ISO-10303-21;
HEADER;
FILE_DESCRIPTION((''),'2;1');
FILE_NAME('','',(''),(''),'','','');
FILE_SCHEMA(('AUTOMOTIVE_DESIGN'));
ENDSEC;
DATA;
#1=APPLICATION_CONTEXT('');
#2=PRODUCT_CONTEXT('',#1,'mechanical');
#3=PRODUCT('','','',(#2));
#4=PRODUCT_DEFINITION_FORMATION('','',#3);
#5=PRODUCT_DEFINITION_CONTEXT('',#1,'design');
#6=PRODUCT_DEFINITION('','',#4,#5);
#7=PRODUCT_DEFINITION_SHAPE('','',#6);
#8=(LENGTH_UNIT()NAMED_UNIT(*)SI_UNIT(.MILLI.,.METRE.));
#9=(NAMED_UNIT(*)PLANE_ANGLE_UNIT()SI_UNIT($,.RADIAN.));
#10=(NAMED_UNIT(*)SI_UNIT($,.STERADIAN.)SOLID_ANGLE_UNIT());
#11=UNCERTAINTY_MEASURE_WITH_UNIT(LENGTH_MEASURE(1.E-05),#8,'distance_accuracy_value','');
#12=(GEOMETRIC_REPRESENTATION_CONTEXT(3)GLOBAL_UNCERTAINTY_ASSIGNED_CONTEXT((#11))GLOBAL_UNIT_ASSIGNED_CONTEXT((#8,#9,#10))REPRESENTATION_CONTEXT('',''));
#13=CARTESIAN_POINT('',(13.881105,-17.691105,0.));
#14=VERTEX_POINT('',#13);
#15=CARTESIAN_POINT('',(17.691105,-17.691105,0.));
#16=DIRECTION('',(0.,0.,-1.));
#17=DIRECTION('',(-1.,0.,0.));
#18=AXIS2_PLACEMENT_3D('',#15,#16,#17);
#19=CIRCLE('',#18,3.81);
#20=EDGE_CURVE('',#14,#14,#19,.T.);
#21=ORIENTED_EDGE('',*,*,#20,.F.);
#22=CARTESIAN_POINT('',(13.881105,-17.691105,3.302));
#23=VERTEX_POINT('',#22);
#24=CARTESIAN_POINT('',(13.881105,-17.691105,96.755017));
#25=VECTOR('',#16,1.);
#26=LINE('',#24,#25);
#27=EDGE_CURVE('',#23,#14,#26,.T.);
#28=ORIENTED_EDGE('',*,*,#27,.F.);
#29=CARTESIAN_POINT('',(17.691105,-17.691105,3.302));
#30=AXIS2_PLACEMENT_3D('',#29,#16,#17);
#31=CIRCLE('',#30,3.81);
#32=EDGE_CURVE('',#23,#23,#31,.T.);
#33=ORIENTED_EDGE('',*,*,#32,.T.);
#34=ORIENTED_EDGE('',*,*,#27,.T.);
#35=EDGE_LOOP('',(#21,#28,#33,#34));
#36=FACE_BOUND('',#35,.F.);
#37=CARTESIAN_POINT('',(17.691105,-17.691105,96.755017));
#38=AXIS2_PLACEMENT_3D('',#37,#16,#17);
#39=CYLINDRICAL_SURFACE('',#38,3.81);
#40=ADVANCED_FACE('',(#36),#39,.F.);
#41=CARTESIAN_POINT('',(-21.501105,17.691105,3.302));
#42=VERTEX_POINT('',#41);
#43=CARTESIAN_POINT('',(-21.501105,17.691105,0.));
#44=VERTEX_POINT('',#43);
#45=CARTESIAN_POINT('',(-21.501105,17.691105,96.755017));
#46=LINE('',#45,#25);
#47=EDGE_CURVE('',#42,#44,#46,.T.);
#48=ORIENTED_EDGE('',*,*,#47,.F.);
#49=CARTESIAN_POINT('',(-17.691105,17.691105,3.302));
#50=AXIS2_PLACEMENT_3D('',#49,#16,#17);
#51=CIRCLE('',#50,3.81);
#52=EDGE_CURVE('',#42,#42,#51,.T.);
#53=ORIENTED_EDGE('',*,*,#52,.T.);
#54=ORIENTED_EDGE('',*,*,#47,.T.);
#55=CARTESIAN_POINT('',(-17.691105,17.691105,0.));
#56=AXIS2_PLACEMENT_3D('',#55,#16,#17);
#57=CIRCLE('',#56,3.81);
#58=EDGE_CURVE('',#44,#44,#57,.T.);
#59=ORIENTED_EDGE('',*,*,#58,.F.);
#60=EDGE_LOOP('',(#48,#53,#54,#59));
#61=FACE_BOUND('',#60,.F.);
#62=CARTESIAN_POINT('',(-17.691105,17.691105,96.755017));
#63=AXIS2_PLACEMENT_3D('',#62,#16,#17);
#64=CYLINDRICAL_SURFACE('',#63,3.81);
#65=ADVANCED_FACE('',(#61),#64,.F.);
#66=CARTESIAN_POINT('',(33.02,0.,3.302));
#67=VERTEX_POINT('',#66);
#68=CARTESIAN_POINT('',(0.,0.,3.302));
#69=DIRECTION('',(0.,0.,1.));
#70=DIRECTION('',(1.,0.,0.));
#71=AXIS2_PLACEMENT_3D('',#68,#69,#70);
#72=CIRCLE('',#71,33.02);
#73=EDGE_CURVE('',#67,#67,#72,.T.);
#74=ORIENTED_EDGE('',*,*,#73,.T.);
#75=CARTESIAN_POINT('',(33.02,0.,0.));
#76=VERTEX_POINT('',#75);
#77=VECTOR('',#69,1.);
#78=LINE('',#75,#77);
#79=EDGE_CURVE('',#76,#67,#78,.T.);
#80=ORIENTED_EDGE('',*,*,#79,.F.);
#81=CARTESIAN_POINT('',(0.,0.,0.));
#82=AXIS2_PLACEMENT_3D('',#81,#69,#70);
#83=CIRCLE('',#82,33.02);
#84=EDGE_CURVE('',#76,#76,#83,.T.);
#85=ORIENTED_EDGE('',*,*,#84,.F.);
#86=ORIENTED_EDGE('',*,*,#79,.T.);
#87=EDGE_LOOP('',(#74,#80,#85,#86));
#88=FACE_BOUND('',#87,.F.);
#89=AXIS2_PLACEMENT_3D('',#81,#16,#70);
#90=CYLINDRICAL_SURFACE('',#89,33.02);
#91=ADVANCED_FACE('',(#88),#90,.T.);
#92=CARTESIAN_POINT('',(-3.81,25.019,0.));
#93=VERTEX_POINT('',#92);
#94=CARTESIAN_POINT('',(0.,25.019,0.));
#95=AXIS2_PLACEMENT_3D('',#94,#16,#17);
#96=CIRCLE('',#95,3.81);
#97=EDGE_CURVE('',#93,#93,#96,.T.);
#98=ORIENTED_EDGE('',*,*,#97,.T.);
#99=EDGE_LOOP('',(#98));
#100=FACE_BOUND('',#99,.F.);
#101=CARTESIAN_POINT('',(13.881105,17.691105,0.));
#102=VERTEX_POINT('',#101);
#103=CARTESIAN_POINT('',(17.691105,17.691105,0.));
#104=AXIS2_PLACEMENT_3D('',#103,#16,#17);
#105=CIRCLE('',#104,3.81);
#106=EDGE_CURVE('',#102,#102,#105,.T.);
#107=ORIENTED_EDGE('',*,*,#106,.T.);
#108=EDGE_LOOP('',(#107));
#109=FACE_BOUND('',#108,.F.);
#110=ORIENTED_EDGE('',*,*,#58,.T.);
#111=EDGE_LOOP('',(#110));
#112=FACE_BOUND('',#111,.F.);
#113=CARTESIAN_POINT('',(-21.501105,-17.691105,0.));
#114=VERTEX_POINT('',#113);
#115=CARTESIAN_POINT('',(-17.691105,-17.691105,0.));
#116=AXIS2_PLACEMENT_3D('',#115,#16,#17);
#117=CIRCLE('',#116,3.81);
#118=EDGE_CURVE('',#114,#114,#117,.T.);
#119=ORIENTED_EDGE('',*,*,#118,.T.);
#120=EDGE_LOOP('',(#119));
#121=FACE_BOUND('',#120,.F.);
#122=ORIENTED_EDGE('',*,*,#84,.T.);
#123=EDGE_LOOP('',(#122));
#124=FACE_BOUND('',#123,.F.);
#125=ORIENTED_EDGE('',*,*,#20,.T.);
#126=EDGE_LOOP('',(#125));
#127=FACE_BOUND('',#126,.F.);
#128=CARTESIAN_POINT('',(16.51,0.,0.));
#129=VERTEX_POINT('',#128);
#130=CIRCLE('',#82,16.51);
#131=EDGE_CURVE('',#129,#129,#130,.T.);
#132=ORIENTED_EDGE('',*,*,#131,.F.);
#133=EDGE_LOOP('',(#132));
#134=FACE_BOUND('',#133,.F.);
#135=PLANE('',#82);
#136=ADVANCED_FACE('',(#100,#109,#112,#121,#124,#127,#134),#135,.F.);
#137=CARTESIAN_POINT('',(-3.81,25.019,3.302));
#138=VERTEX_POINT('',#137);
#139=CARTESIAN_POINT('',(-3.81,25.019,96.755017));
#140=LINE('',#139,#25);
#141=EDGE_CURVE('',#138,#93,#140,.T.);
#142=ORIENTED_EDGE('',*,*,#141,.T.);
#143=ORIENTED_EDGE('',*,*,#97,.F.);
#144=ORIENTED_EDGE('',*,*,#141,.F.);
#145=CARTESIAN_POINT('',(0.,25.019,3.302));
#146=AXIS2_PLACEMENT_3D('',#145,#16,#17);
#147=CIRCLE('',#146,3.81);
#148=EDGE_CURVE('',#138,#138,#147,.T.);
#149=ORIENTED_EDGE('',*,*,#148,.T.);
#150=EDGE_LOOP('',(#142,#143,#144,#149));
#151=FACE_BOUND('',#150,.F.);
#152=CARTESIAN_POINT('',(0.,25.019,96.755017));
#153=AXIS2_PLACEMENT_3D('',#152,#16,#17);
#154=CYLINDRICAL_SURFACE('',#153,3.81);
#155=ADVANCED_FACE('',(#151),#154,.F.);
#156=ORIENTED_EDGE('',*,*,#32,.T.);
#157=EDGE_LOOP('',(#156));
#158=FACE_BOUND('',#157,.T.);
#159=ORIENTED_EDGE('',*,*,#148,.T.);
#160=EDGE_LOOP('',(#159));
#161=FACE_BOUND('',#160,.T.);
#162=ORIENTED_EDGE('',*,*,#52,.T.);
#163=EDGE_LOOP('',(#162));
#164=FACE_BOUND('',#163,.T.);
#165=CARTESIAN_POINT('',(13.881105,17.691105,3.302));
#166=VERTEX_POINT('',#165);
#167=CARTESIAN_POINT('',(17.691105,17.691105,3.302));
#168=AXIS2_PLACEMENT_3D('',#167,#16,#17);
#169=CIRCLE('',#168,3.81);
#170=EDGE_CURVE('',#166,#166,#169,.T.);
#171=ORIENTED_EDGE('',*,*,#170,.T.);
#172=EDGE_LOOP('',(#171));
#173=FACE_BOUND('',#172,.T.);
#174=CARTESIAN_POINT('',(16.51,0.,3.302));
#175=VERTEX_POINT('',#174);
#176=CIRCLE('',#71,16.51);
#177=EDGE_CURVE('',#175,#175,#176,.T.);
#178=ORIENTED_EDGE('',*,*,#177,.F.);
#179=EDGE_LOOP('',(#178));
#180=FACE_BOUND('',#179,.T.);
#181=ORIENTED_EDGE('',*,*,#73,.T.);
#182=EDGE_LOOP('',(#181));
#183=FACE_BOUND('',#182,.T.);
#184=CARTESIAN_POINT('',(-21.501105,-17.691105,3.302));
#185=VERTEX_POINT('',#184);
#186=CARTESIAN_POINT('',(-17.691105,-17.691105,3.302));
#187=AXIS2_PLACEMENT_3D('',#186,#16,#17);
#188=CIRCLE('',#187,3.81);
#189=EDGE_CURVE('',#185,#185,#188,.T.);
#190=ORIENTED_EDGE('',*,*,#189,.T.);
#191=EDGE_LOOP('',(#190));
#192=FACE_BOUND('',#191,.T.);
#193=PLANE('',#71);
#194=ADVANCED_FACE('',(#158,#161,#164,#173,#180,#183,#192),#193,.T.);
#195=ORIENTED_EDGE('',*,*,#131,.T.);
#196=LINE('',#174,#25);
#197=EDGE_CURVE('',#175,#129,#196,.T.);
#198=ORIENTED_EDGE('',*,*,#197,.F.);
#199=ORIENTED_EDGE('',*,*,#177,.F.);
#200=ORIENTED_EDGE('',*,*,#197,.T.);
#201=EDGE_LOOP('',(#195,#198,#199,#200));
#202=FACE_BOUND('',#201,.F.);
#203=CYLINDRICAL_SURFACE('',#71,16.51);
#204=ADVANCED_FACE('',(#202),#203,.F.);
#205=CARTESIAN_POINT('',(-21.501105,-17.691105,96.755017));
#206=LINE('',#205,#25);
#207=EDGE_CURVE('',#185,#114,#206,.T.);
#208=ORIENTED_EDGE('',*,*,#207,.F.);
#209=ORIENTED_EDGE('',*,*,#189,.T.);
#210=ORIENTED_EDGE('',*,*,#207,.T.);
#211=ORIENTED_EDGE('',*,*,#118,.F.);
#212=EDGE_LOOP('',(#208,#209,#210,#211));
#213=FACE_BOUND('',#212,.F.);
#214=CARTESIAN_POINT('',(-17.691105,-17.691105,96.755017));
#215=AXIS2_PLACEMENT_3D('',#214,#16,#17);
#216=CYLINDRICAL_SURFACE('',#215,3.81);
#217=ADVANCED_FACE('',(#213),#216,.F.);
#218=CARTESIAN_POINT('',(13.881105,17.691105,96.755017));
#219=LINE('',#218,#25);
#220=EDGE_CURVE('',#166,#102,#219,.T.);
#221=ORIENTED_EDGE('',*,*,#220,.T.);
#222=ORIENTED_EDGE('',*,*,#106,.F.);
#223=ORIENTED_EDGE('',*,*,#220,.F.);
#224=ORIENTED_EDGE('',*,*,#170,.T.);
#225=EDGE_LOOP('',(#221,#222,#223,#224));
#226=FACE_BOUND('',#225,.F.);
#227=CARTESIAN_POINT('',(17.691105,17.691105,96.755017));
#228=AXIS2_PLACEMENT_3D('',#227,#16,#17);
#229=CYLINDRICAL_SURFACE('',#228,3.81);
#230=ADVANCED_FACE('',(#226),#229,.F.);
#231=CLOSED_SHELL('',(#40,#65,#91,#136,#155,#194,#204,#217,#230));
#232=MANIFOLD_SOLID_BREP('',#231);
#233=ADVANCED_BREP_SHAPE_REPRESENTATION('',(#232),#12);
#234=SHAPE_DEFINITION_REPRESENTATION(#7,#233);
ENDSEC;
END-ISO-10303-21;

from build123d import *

# Parameters (mm, degrees)
F0_R     = 33.02
F1_DEPTH = 3.302
F2_R     = 16.51
F3_DEPTH = 3.303
F5_D     = 7.62


with BuildPart() as f1:
    # F0 (on Top) → F1 (new body)
    with BuildSketch(Plane.XY):
        Circle(F0_R)
    extrude(amount=F1_DEPTH)

    # F2 (on face) → F3 (cut, through all)
    with BuildSketch(Plane.XY.offset(3.302)):
        Circle(F2_R)
    extrude(amount=-F3_DEPTH, mode=Mode.SUBTRACT)

    # F5 (through all)
    with Locations(Plane.XY.offset(3.302)):
        with Locations((17.691105, -17.691105), (-17.691105, -17.691105), (17.691105, 17.691105), (0, 25.019), (-17.691105, 17.691105)):
            Hole(F5_D / 2)


solid = f1.part
